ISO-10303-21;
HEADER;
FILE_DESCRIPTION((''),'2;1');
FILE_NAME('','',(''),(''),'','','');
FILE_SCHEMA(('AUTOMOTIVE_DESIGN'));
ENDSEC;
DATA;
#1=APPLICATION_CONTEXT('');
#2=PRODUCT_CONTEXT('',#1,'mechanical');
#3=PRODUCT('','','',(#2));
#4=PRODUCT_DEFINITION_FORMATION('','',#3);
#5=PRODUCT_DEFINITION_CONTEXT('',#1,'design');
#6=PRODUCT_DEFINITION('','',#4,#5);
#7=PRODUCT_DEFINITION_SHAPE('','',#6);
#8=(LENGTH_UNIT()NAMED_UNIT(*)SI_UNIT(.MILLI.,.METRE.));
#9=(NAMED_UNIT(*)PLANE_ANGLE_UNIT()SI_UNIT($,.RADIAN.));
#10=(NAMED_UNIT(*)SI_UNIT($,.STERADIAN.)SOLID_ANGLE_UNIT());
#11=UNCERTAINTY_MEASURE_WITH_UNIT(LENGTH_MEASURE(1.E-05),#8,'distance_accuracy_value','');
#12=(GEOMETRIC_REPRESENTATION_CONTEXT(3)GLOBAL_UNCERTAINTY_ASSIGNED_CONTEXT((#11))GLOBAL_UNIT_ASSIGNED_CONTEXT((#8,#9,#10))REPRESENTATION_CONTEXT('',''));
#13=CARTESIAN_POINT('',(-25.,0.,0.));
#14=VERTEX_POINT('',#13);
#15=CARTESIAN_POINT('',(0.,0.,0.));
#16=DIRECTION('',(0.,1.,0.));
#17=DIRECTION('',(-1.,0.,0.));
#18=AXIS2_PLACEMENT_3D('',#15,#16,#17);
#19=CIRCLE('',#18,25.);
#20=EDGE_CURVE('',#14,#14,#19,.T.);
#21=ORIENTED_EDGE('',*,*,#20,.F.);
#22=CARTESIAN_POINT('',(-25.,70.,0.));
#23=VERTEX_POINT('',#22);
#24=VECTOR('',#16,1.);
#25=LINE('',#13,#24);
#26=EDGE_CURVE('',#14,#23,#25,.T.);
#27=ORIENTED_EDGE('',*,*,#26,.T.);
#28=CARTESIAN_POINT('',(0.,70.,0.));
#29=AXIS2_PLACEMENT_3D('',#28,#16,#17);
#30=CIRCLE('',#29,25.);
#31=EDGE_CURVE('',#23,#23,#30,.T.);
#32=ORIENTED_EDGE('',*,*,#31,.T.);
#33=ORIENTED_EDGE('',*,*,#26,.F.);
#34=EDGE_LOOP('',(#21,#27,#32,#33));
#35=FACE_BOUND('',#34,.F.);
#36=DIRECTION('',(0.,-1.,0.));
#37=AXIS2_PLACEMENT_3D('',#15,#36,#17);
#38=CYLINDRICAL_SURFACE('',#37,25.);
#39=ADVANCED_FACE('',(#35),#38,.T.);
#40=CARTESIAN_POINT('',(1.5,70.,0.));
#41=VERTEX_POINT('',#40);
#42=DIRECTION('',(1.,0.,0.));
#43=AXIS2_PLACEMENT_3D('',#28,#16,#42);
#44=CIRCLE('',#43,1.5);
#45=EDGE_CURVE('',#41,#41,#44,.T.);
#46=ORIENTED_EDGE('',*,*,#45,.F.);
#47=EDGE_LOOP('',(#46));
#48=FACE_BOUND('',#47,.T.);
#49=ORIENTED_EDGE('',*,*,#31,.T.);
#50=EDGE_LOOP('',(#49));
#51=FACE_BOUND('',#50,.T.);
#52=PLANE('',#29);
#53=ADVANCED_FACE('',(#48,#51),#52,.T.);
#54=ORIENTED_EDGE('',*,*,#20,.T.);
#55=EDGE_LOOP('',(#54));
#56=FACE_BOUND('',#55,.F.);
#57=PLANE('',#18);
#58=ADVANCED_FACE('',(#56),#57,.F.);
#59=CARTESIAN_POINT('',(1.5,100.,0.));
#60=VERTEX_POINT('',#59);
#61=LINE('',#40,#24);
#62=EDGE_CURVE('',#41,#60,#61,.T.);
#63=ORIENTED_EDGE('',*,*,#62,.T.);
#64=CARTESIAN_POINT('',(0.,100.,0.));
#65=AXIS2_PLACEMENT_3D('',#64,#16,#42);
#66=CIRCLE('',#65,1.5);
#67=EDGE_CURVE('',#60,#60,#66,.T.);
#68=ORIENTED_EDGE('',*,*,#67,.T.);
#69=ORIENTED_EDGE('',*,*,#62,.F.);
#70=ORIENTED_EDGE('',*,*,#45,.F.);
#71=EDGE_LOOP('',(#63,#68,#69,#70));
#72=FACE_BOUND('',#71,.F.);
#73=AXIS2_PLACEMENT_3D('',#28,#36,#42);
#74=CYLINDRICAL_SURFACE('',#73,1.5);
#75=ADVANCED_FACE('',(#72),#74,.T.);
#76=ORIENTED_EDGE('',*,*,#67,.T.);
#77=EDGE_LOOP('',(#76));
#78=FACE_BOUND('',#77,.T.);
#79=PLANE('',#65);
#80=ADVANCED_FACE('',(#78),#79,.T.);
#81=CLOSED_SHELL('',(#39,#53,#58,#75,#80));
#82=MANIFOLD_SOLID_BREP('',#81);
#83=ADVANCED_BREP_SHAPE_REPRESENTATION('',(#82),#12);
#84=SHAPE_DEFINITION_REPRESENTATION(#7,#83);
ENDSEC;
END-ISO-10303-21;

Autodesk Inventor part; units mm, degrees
ref_plane "YZ Plane" through (0, 0, 0) normal (1, 0, 0) x (0, 1, 0)
ref_plane "XZ Plane" through (0, 0, 0) normal (0, 1, 0) x (-1, 0, 0)
ref_plane "XY Plane" through (0, 0, 0) normal (0, 0, 1) x (1, 0, 0)
sketch "スケッチ1" plane through (0, 0, 0) normal (0, 1, 0) x (-1, 0, 0)
  circle A0 centre (0, 0) radius 25
  dimension "d0" = 50
extrude "押し出し1" add sketch "スケッチ1" along normal blind 70
sketch "スケッチ2" plane through (0, 70, 0) normal (0, 1, 0) x (1, 0, 0)
  circle A0 centre (0, 0) radius 1.5
  dimension "d3" = 3
extrude "押し出し2" add sketch "スケッチ2" along normal blind 30
properties part number "recreat5"
